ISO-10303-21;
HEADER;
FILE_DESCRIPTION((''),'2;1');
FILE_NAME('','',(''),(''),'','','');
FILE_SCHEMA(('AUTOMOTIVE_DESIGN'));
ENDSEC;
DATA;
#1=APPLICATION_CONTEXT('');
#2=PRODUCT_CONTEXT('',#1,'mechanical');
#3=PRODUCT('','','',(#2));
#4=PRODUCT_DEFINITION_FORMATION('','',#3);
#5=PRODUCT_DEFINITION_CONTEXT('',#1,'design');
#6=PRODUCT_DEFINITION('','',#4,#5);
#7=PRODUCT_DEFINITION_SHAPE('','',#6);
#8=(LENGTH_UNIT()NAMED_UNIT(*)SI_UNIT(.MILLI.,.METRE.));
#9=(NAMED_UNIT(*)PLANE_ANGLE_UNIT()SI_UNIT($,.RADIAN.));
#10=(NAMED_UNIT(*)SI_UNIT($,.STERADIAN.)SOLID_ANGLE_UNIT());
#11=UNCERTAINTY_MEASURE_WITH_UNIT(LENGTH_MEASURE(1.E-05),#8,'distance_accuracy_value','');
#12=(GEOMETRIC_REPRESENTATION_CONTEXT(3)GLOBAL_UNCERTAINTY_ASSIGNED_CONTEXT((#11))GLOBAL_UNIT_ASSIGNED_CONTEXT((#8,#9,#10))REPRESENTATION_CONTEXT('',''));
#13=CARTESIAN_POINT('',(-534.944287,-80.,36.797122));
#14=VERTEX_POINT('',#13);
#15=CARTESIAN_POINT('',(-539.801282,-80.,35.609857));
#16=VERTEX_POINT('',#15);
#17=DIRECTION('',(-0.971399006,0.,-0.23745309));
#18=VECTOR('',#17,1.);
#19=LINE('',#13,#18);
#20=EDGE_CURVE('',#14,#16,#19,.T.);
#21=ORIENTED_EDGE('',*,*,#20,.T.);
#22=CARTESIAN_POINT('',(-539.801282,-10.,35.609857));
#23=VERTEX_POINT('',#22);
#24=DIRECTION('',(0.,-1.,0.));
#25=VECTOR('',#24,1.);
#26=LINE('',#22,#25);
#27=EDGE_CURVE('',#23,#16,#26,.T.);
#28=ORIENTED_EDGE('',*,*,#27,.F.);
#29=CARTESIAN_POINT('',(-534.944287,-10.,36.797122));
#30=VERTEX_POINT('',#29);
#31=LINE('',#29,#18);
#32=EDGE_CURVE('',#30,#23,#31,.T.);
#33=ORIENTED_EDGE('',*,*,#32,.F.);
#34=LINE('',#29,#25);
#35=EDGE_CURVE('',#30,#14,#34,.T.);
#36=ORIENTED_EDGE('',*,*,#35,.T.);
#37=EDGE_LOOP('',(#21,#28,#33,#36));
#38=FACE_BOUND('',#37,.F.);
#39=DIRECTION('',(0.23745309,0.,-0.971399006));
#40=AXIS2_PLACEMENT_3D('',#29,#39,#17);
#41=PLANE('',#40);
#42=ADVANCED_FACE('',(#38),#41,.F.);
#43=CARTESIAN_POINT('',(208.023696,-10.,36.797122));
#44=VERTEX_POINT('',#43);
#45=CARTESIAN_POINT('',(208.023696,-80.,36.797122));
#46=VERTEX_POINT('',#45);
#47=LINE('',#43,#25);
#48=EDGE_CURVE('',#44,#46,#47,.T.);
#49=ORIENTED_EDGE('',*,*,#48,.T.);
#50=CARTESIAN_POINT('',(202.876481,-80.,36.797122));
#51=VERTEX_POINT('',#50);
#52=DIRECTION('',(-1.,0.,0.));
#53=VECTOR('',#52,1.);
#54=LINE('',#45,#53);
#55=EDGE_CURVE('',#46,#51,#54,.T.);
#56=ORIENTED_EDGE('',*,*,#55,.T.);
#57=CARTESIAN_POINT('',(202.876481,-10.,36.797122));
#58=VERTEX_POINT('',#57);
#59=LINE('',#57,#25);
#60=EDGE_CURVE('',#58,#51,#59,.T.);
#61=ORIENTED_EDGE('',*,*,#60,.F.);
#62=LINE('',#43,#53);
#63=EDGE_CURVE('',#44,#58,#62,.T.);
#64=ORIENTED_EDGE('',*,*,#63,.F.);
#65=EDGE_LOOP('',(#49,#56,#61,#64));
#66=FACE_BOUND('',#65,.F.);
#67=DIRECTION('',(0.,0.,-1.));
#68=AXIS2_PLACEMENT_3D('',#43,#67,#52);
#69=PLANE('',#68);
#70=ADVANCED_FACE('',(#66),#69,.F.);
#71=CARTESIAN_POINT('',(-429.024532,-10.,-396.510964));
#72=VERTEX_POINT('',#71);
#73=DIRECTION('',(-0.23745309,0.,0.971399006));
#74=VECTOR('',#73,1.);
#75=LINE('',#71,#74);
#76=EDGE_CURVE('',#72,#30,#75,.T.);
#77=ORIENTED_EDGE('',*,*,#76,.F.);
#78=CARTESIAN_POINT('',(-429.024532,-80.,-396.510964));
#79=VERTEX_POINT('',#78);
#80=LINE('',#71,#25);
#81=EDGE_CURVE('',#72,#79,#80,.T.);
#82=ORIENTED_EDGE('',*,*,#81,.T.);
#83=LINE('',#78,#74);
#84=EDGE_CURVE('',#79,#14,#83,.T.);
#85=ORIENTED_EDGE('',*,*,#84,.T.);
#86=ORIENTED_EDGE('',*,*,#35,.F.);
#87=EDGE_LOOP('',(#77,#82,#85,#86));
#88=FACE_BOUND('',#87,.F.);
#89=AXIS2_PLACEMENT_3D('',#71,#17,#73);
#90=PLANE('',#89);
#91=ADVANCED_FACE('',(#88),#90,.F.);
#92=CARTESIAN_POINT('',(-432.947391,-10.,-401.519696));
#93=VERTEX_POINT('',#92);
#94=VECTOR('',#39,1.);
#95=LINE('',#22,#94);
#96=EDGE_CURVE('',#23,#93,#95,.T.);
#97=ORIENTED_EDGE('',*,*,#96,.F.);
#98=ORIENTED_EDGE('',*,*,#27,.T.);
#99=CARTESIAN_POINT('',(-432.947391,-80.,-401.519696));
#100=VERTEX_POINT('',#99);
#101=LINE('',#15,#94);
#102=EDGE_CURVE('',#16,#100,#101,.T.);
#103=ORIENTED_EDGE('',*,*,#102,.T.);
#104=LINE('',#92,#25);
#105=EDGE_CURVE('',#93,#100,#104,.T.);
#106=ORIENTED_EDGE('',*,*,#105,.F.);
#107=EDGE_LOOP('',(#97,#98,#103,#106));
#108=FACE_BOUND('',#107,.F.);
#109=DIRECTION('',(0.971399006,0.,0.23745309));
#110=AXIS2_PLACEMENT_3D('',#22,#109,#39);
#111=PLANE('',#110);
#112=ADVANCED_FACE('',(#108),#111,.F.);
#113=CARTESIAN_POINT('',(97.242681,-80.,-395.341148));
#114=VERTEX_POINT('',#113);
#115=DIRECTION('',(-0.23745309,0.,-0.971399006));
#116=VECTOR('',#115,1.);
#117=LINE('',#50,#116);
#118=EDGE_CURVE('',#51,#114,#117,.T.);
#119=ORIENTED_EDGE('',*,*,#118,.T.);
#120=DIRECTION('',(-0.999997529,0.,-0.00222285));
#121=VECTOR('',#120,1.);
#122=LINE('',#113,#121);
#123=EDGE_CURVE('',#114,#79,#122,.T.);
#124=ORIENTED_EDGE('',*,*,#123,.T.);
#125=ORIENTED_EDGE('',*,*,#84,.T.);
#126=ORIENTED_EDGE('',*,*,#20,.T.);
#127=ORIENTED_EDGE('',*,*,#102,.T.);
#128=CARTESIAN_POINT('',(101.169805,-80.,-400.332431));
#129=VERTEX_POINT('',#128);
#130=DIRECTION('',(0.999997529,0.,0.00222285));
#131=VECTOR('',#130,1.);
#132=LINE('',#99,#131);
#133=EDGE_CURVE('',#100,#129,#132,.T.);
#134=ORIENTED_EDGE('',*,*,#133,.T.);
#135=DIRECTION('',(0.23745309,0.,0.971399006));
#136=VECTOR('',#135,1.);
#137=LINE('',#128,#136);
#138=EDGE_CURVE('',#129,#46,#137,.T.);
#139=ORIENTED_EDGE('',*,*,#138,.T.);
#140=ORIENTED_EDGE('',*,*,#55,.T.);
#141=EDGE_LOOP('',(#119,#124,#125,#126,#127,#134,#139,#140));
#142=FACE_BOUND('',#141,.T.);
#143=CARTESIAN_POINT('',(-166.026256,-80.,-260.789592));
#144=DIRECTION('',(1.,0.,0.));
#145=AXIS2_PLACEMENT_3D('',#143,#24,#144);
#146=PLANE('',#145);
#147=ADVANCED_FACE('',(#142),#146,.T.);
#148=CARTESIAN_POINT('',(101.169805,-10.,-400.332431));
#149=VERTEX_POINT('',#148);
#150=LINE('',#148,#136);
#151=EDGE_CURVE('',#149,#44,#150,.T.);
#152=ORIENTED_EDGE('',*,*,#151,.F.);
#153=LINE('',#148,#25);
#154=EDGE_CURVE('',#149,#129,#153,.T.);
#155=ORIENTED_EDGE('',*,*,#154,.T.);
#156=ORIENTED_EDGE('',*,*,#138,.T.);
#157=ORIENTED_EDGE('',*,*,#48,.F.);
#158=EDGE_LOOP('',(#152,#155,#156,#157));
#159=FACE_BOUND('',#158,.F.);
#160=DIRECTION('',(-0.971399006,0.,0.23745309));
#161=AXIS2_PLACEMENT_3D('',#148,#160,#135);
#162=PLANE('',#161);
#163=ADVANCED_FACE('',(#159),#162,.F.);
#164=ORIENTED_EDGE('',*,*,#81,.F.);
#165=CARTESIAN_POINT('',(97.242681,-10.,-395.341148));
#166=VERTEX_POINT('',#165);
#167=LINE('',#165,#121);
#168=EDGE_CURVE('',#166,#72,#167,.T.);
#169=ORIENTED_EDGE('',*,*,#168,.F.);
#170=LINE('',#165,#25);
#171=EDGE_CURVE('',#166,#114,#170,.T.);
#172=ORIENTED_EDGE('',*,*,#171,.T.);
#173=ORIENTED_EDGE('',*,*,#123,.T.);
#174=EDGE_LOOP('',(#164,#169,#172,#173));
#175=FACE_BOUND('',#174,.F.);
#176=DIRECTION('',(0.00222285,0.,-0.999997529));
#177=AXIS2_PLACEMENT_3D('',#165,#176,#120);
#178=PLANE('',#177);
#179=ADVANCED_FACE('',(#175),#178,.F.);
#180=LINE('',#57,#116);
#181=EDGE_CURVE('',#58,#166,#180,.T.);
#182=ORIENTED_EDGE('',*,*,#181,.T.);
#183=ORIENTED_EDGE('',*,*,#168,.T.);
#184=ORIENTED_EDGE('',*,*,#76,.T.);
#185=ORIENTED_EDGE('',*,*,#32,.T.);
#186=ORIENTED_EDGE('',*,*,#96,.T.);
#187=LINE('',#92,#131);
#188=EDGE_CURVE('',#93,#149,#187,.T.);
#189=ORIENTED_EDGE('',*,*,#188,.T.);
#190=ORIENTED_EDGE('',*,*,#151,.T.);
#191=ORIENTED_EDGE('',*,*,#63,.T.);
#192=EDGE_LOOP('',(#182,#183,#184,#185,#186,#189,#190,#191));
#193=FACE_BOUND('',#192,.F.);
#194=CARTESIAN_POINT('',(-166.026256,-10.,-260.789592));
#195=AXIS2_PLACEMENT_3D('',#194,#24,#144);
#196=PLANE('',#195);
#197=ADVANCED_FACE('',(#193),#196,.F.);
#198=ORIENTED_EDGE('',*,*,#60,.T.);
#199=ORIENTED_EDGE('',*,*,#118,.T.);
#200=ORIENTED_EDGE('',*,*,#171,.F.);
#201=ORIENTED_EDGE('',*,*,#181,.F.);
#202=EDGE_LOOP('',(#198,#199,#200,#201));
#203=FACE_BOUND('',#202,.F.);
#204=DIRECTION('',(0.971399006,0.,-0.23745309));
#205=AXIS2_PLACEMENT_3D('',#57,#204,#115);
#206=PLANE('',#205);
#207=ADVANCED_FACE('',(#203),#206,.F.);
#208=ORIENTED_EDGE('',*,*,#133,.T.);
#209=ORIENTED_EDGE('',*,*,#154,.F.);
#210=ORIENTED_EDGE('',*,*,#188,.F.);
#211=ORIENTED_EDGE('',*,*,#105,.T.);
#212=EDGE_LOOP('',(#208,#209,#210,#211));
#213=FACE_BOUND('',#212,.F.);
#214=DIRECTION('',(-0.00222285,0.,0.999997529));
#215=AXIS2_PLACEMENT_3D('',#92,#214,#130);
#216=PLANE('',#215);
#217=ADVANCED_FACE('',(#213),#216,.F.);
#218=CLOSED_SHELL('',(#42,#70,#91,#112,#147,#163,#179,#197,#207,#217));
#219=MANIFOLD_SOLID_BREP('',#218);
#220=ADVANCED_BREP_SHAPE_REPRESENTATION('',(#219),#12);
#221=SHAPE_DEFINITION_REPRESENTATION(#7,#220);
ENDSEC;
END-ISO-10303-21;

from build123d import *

# Parameters (mm, degrees)
F0_W     = 540
F0_H     = 390
F1_DEPTH = 10
F3_DEPTH = 70
F4_DEPTH = 25


with BuildPart() as f1:
    # F0 (on Front) → F1 (new body)
    with BuildSketch(Plane.XZ):
        Polygon((-575.5810141563, 243.9473703504), (-465.5810141563, -206.0526296496), (133.660423523, -206.0526296496), (243.660423523, 243.9473703504), (133.660423523, 243.9473703504), (-465.5810141563, 243.9473703504), align=None)
        with Locations((-166.339576477, 18.9473703504)):
            Rectangle(F0_W, F0_H, mode=Mode.SUBTRACT)
        Polygon((-495.5810141563, 43.0153865893), (-537.3643879646, 213.9473703504), (-495.5810141563, 213.9473703504), align=None, mode=Mode.SUBTRACT)
        Polygon((163.660423523, 213.9473703504), (205.4437973313, 213.9473703504), (163.660423523, 43.0153865893), align=None, mode=Mode.SUBTRACT)
    extrude(amount=F1_DEPTH)

    # F4 (cut): a face of the model
    f4_faces = [f1.faces().sort_by_distance(p)[0] for p in [
        (-511.5013869102, -10, 21.1668347883),
    ]]
    extrude(f4_faces, amount=-F4_DEPTH, mode=Mode.SUBTRACT)


with BuildPart() as f3:
    # F2 (on face) → F3 (new body)
    with BuildSketch(Plane.XZ.offset(10)):
        Polygon((-475.5810141563, -206.0526296496), (-534.9442867756, 36.7971219746), (-539.8012818081, 35.6098565222), (-432.9473910934, -401.5196964014), (101.1698054276, -400.332430949), (208.0236961423, 36.7971219746), (203.0236961423, 36.7971219746), (202.8764806659, 36.7971219746), (97.2426813323, -395.3411480265), (-429.0245324018, -396.5109640999), align=None)
    extrude(amount=F3_DEPTH)


solid = f3.part
